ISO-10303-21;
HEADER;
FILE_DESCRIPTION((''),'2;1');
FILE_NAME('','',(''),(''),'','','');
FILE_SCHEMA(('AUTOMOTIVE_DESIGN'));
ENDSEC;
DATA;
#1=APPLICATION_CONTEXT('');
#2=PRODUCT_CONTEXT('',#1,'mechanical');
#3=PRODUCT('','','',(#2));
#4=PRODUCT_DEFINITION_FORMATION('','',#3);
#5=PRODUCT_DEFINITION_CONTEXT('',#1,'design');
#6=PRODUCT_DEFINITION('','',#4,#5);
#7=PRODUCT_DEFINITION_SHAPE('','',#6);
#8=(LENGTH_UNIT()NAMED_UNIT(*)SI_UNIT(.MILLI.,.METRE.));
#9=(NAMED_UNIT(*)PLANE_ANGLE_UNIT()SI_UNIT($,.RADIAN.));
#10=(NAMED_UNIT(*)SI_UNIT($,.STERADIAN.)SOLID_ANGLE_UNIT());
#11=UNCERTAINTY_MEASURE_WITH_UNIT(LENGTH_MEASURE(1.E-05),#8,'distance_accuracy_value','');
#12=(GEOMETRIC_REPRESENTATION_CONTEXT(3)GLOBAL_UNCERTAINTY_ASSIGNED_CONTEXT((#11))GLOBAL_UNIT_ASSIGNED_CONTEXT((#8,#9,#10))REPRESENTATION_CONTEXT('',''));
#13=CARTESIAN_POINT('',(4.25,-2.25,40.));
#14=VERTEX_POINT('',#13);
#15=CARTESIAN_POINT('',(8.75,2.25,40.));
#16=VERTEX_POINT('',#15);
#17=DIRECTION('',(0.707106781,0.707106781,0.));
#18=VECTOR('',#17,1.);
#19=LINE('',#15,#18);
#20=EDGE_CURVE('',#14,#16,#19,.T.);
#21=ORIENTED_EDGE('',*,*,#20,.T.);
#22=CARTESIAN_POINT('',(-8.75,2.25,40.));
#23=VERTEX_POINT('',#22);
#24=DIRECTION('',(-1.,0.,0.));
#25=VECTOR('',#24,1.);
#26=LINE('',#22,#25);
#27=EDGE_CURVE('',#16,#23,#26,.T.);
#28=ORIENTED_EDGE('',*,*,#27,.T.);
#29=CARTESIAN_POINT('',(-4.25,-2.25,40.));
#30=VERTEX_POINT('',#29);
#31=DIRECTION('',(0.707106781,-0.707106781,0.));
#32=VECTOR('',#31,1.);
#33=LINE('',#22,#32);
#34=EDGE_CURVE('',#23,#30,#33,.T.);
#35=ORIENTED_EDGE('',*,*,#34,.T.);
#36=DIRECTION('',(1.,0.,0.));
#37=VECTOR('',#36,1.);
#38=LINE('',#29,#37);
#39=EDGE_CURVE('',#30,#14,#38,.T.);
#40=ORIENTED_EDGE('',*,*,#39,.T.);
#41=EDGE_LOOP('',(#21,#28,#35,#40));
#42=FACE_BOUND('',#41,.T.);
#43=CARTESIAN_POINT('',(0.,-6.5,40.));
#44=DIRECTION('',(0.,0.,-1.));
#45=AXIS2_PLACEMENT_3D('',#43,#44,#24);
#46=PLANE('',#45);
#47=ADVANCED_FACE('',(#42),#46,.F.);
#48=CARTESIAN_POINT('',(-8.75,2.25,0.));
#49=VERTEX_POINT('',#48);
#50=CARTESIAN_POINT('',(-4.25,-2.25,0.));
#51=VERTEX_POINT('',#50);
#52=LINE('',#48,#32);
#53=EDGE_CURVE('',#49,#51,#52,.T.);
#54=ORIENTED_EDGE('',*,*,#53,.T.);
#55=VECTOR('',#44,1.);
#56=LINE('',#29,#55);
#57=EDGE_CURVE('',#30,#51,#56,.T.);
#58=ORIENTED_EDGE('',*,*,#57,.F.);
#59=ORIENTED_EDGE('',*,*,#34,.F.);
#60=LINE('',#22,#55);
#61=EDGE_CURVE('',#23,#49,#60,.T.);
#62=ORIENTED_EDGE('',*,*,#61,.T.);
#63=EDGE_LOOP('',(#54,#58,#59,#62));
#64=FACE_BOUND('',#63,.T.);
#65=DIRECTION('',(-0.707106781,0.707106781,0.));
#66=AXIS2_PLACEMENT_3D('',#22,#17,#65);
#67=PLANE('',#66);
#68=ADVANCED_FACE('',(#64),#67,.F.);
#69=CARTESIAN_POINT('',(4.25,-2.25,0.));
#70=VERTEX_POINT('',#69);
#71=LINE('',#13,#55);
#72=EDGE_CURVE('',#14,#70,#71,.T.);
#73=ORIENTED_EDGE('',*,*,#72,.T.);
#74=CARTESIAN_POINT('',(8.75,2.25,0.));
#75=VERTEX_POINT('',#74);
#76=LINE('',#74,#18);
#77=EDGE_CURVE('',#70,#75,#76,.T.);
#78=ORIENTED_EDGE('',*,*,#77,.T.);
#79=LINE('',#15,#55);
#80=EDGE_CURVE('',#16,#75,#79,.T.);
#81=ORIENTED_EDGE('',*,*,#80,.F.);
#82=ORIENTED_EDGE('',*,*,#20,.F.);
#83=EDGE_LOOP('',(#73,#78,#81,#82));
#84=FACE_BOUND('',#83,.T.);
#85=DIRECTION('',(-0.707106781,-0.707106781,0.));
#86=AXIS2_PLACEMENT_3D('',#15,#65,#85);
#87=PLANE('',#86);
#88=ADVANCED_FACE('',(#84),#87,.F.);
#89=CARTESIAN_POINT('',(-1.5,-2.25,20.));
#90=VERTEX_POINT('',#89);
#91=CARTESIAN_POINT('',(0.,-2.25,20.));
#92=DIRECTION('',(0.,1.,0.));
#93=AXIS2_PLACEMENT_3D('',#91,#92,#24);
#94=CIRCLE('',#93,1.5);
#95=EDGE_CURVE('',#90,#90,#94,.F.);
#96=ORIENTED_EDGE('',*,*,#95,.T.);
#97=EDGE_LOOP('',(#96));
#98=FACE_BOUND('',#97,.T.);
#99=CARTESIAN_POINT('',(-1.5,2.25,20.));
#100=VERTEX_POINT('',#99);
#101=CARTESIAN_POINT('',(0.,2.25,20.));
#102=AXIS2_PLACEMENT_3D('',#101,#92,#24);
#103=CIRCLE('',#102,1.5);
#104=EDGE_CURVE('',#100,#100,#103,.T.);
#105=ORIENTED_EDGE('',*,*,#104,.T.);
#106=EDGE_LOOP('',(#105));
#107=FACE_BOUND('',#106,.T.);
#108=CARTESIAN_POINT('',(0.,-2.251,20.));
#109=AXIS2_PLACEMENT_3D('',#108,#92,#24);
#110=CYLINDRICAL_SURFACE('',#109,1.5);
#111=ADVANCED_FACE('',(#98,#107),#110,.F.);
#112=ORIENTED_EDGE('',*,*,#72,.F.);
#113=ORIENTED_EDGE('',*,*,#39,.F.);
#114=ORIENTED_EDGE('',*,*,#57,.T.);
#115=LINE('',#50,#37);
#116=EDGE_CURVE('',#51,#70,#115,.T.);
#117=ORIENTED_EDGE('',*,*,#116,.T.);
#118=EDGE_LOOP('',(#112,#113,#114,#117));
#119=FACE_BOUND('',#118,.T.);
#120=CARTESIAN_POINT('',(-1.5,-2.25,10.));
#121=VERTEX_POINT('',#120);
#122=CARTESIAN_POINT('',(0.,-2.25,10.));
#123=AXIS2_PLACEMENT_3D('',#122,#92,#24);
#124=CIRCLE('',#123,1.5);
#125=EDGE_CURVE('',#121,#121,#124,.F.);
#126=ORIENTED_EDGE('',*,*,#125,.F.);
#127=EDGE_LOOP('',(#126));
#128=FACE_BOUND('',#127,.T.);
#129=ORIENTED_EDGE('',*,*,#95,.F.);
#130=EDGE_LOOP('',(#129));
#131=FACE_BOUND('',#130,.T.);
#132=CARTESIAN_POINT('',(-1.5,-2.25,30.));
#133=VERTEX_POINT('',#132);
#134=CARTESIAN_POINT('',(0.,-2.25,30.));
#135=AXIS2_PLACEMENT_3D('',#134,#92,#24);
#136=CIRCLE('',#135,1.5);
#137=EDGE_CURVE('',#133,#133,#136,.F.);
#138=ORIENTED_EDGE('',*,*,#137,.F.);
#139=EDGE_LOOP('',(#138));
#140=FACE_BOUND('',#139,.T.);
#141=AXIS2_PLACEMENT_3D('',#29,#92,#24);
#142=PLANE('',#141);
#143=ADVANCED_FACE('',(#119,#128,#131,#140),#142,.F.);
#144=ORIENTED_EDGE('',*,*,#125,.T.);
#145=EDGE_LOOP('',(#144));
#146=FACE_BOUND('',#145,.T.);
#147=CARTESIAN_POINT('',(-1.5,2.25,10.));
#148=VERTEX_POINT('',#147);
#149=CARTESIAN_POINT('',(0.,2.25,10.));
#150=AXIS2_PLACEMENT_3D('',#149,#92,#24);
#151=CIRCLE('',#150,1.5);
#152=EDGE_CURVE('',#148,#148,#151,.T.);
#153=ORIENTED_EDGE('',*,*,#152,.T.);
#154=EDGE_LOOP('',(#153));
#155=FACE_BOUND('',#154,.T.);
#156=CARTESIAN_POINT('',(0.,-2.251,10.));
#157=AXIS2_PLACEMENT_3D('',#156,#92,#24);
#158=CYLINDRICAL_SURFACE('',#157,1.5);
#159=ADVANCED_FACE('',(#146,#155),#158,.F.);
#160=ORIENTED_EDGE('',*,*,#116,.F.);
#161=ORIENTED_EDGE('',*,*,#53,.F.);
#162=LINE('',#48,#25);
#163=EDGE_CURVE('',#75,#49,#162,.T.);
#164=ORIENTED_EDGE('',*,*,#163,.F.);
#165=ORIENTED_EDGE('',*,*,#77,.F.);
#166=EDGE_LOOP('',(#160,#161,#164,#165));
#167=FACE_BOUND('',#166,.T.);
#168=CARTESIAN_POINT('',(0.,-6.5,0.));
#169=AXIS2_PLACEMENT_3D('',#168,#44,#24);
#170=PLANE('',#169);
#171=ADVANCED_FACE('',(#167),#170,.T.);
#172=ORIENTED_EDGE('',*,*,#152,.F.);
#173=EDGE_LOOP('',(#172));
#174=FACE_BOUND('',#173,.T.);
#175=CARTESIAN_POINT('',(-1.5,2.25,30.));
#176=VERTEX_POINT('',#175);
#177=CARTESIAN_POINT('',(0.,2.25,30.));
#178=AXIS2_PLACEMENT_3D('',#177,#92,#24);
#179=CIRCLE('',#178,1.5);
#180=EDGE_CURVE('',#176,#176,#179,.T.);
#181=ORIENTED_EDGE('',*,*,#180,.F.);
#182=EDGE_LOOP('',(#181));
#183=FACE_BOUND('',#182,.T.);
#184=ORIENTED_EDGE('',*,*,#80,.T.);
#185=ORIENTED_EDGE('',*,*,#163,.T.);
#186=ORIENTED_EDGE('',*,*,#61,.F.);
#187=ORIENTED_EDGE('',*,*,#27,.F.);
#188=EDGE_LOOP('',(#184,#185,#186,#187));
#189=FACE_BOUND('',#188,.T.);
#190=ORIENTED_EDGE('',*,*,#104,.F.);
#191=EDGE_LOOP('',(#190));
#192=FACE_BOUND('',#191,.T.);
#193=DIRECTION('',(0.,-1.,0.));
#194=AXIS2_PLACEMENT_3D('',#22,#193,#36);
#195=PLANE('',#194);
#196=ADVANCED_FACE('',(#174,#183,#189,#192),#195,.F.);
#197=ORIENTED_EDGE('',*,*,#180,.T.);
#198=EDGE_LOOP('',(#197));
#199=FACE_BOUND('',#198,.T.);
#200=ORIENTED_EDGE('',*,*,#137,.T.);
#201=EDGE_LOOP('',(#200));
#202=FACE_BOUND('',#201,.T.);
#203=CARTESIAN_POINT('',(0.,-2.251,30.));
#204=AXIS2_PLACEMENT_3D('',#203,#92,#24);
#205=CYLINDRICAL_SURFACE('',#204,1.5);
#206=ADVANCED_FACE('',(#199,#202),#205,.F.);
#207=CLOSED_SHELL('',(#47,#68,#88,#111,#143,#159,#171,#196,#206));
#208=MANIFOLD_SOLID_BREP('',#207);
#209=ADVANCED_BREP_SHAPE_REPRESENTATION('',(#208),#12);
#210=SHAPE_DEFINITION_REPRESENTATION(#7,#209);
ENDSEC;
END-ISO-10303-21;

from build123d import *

# Parameters (mm, degrees)
RESSALTO_EXTRUS_O1_DEPTH = 40
CORTE_EXTRUS_O1_REACH    = 43.192
ESBO_O2_R                = 1.5


with BuildPart() as part:
    # Esboço1 → Ressalto-extrusão1 (new body)
    with BuildSketch(Plane.XY):
        Polygon((-8.75, 2.25), (8.75, 2.25), (4.25, -2.25), (-4.25, -2.25), align=None)
    extrude(amount=RESSALTO_EXTRUS_O1_DEPTH)

    # Esboço2 → Corte-extrusão1 (cut, up to next)
    with BuildSketch(Plane(origin=(0, 2.25, 0), x_dir=(1, 0, 0), z_dir=(0, 1, 0)), mode=Mode.PRIVATE) as corte_extrus_o1_sk1:
        with Locations(Location((0, -20, 0), (0, 0, 180))):
            Circle(ESBO_O2_R)
    corte_extrus_o1_tool1 = extrude(corte_extrus_o1_sk1.sketch, amount=-CORTE_EXTRUS_O1_REACH, mode=Mode.PRIVATE) & part.part
    # Esboço2 → Corte-extrusão1 (cut, up to next)
    with BuildSketch(Plane(origin=(0, 2.25, 0), x_dir=(1, 0, 0), z_dir=(0, 1, 0)), mode=Mode.PRIVATE) as corte_extrus_o1_sk2:
        with Locations(Location((0, -10, 0), (0, 0, 180))):
            Circle(ESBO_O2_R)
    corte_extrus_o1_tool2 = extrude(corte_extrus_o1_sk2.sketch, amount=-CORTE_EXTRUS_O1_REACH, mode=Mode.PRIVATE) & part.part
    # Esboço2 → Corte-extrusão1 (cut, up to next)
    with BuildSketch(Plane(origin=(0, 2.25, 0), x_dir=(1, 0, 0), z_dir=(0, 1, 0)), mode=Mode.PRIVATE) as corte_extrus_o1_sk3:
        with Locations(Location((0, -30, 0), (0, 0, 180))):
            Circle(ESBO_O2_R)
    corte_extrus_o1_tool3 = extrude(corte_extrus_o1_sk3.sketch, amount=-CORTE_EXTRUS_O1_REACH, mode=Mode.PRIVATE) & part.part
    add(corte_extrus_o1_tool1.solids().sort_by_distance((0, 2.25, 20))[0], mode=Mode.SUBTRACT)
    add(corte_extrus_o1_tool2.solids().sort_by_distance((0, 2.25, 10))[0], mode=Mode.SUBTRACT)
    add(corte_extrus_o1_tool3.solids().sort_by_distance((0, 2.25, 30))[0], mode=Mode.SUBTRACT)


solid = part.part
